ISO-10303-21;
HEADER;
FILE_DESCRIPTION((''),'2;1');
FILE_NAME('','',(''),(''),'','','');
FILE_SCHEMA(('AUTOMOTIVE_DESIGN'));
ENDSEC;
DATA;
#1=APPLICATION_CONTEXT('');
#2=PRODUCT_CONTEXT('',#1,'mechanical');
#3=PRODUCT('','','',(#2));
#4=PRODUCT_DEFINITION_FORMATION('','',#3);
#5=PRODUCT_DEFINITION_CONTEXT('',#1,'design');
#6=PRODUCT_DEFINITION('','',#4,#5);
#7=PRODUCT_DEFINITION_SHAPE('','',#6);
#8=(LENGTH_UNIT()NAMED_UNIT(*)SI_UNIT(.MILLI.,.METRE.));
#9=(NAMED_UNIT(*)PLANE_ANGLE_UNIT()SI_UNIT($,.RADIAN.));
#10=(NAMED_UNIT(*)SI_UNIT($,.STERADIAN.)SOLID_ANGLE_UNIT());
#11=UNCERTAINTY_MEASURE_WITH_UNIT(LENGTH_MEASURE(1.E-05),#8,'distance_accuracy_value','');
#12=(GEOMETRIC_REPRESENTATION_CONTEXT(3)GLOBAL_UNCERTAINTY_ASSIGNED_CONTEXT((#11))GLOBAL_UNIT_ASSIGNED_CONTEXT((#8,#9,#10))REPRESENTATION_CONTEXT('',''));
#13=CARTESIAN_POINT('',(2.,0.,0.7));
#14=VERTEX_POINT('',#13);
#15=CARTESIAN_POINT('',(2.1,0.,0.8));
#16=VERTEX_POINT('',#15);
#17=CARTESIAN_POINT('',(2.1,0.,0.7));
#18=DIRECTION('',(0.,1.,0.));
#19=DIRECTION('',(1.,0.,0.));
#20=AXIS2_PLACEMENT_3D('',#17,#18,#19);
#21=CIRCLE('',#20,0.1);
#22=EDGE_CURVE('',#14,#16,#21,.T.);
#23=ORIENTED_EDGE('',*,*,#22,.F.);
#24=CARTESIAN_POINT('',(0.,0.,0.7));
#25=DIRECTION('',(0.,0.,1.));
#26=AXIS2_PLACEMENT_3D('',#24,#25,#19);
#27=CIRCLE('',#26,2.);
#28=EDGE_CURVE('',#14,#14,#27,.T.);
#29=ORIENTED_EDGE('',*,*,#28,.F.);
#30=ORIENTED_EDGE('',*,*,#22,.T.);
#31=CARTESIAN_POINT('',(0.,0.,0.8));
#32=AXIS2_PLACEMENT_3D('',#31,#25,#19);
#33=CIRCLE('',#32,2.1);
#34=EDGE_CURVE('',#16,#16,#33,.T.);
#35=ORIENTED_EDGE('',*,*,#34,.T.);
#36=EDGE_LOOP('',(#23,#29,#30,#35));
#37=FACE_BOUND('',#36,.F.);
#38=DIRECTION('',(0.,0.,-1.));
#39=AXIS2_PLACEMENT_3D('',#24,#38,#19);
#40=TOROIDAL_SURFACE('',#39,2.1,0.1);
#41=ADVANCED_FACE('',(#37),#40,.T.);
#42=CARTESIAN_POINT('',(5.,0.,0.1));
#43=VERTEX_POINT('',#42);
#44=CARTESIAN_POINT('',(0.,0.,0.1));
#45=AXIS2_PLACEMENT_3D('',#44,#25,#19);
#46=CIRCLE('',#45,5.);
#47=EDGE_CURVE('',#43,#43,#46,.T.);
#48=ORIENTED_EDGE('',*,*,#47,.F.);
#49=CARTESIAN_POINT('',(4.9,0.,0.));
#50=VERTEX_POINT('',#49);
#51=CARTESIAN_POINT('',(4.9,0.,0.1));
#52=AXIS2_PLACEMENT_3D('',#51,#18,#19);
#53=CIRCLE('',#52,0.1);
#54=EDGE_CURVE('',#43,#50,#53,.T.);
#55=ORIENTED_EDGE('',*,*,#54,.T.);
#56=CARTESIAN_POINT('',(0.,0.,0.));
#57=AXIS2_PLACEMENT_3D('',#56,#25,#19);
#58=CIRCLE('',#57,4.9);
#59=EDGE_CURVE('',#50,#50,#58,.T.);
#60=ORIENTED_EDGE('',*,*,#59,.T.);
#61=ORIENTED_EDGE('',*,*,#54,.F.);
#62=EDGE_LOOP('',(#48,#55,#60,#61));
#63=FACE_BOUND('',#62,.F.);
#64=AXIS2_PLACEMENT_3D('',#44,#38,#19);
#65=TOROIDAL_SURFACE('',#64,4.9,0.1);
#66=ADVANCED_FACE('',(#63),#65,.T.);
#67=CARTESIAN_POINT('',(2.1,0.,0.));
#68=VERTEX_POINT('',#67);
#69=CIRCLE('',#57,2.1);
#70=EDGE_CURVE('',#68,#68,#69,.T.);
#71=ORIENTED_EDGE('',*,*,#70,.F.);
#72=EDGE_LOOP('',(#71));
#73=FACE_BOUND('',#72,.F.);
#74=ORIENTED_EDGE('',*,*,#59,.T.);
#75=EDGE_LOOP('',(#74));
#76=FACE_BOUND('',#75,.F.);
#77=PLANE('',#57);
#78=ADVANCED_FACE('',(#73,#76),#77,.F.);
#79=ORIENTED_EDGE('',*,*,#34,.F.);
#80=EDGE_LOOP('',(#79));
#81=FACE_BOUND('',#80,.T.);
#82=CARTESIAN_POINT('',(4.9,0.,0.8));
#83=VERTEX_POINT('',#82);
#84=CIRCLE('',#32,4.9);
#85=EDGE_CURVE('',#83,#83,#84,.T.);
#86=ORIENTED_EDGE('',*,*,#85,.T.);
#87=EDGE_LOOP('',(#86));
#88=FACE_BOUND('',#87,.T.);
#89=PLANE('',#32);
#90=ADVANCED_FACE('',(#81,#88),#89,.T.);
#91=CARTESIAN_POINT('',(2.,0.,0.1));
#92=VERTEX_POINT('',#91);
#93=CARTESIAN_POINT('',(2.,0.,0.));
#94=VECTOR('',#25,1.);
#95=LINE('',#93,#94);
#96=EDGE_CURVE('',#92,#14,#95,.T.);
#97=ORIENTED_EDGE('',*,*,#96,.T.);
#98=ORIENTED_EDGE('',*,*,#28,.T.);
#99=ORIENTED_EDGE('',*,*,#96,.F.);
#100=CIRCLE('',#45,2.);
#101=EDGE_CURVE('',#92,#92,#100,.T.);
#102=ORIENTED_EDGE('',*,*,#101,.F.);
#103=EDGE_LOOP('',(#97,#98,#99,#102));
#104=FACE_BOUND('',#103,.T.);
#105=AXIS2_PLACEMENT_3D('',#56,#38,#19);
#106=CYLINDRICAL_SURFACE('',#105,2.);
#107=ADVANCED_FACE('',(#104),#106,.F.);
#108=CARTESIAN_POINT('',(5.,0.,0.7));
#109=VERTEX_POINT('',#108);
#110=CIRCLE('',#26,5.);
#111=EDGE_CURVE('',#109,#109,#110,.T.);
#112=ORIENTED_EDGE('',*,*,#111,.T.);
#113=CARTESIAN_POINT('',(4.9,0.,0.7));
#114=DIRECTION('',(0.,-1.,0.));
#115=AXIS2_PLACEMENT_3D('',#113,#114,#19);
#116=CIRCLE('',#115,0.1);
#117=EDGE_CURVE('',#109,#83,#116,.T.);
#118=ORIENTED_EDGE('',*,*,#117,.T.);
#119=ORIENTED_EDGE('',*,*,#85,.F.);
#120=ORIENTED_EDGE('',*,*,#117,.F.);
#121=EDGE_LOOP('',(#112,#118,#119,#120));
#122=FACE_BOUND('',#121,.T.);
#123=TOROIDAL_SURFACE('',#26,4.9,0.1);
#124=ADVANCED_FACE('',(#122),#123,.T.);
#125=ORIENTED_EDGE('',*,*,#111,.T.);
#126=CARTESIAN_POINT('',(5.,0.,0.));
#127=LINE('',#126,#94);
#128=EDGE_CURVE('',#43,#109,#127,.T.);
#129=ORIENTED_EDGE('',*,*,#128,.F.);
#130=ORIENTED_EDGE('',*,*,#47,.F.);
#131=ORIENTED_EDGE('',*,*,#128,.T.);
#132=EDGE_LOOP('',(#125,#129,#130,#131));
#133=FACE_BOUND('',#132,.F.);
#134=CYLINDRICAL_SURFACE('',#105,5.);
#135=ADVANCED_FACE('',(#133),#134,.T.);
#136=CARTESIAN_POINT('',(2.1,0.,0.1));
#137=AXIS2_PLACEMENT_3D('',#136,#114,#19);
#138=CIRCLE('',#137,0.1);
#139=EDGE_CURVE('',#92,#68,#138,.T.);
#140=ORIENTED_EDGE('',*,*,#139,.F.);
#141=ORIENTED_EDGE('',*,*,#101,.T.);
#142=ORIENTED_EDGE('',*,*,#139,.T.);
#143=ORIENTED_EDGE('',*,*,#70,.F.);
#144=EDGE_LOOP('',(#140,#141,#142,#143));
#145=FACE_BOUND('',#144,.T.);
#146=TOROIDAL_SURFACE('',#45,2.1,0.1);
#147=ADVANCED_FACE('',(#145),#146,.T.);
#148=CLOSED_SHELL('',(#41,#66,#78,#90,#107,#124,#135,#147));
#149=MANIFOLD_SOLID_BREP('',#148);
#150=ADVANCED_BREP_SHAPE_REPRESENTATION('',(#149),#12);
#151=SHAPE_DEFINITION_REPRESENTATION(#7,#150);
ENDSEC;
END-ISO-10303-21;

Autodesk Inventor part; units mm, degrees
ref_plane "YZ Plane" through (0, 0, 0) normal (1, 0, 0) x (0, 1, 0)
ref_plane "XZ Plane" through (0, 0, 0) normal (0, 1, 0) x (-1, 0, 0)
ref_plane "XY Plane" through (0, 0, 0) normal (0, 0, 1) x (1, 0, 0)
sketch "スケッチ1" plane through (0, 0, 0) normal (0, 0, 1) x (1, 0, 0)
  circle A0 centre (0, 0) radius 5
  circle A1 centre (0, 0) radius 2
  dimension "d0" = 10
  dimension "d1" = 4
extrude "押し出し1" add sketch "スケッチ1" along normal blind 0.8
fillet "フィレット1" radius 0.1 4 edges at (-5, 0, 0.8) (-2, 0, 0.8) (-5, 0, 0) (-2, 0, 0)
properties material "ステンレス鋼"
